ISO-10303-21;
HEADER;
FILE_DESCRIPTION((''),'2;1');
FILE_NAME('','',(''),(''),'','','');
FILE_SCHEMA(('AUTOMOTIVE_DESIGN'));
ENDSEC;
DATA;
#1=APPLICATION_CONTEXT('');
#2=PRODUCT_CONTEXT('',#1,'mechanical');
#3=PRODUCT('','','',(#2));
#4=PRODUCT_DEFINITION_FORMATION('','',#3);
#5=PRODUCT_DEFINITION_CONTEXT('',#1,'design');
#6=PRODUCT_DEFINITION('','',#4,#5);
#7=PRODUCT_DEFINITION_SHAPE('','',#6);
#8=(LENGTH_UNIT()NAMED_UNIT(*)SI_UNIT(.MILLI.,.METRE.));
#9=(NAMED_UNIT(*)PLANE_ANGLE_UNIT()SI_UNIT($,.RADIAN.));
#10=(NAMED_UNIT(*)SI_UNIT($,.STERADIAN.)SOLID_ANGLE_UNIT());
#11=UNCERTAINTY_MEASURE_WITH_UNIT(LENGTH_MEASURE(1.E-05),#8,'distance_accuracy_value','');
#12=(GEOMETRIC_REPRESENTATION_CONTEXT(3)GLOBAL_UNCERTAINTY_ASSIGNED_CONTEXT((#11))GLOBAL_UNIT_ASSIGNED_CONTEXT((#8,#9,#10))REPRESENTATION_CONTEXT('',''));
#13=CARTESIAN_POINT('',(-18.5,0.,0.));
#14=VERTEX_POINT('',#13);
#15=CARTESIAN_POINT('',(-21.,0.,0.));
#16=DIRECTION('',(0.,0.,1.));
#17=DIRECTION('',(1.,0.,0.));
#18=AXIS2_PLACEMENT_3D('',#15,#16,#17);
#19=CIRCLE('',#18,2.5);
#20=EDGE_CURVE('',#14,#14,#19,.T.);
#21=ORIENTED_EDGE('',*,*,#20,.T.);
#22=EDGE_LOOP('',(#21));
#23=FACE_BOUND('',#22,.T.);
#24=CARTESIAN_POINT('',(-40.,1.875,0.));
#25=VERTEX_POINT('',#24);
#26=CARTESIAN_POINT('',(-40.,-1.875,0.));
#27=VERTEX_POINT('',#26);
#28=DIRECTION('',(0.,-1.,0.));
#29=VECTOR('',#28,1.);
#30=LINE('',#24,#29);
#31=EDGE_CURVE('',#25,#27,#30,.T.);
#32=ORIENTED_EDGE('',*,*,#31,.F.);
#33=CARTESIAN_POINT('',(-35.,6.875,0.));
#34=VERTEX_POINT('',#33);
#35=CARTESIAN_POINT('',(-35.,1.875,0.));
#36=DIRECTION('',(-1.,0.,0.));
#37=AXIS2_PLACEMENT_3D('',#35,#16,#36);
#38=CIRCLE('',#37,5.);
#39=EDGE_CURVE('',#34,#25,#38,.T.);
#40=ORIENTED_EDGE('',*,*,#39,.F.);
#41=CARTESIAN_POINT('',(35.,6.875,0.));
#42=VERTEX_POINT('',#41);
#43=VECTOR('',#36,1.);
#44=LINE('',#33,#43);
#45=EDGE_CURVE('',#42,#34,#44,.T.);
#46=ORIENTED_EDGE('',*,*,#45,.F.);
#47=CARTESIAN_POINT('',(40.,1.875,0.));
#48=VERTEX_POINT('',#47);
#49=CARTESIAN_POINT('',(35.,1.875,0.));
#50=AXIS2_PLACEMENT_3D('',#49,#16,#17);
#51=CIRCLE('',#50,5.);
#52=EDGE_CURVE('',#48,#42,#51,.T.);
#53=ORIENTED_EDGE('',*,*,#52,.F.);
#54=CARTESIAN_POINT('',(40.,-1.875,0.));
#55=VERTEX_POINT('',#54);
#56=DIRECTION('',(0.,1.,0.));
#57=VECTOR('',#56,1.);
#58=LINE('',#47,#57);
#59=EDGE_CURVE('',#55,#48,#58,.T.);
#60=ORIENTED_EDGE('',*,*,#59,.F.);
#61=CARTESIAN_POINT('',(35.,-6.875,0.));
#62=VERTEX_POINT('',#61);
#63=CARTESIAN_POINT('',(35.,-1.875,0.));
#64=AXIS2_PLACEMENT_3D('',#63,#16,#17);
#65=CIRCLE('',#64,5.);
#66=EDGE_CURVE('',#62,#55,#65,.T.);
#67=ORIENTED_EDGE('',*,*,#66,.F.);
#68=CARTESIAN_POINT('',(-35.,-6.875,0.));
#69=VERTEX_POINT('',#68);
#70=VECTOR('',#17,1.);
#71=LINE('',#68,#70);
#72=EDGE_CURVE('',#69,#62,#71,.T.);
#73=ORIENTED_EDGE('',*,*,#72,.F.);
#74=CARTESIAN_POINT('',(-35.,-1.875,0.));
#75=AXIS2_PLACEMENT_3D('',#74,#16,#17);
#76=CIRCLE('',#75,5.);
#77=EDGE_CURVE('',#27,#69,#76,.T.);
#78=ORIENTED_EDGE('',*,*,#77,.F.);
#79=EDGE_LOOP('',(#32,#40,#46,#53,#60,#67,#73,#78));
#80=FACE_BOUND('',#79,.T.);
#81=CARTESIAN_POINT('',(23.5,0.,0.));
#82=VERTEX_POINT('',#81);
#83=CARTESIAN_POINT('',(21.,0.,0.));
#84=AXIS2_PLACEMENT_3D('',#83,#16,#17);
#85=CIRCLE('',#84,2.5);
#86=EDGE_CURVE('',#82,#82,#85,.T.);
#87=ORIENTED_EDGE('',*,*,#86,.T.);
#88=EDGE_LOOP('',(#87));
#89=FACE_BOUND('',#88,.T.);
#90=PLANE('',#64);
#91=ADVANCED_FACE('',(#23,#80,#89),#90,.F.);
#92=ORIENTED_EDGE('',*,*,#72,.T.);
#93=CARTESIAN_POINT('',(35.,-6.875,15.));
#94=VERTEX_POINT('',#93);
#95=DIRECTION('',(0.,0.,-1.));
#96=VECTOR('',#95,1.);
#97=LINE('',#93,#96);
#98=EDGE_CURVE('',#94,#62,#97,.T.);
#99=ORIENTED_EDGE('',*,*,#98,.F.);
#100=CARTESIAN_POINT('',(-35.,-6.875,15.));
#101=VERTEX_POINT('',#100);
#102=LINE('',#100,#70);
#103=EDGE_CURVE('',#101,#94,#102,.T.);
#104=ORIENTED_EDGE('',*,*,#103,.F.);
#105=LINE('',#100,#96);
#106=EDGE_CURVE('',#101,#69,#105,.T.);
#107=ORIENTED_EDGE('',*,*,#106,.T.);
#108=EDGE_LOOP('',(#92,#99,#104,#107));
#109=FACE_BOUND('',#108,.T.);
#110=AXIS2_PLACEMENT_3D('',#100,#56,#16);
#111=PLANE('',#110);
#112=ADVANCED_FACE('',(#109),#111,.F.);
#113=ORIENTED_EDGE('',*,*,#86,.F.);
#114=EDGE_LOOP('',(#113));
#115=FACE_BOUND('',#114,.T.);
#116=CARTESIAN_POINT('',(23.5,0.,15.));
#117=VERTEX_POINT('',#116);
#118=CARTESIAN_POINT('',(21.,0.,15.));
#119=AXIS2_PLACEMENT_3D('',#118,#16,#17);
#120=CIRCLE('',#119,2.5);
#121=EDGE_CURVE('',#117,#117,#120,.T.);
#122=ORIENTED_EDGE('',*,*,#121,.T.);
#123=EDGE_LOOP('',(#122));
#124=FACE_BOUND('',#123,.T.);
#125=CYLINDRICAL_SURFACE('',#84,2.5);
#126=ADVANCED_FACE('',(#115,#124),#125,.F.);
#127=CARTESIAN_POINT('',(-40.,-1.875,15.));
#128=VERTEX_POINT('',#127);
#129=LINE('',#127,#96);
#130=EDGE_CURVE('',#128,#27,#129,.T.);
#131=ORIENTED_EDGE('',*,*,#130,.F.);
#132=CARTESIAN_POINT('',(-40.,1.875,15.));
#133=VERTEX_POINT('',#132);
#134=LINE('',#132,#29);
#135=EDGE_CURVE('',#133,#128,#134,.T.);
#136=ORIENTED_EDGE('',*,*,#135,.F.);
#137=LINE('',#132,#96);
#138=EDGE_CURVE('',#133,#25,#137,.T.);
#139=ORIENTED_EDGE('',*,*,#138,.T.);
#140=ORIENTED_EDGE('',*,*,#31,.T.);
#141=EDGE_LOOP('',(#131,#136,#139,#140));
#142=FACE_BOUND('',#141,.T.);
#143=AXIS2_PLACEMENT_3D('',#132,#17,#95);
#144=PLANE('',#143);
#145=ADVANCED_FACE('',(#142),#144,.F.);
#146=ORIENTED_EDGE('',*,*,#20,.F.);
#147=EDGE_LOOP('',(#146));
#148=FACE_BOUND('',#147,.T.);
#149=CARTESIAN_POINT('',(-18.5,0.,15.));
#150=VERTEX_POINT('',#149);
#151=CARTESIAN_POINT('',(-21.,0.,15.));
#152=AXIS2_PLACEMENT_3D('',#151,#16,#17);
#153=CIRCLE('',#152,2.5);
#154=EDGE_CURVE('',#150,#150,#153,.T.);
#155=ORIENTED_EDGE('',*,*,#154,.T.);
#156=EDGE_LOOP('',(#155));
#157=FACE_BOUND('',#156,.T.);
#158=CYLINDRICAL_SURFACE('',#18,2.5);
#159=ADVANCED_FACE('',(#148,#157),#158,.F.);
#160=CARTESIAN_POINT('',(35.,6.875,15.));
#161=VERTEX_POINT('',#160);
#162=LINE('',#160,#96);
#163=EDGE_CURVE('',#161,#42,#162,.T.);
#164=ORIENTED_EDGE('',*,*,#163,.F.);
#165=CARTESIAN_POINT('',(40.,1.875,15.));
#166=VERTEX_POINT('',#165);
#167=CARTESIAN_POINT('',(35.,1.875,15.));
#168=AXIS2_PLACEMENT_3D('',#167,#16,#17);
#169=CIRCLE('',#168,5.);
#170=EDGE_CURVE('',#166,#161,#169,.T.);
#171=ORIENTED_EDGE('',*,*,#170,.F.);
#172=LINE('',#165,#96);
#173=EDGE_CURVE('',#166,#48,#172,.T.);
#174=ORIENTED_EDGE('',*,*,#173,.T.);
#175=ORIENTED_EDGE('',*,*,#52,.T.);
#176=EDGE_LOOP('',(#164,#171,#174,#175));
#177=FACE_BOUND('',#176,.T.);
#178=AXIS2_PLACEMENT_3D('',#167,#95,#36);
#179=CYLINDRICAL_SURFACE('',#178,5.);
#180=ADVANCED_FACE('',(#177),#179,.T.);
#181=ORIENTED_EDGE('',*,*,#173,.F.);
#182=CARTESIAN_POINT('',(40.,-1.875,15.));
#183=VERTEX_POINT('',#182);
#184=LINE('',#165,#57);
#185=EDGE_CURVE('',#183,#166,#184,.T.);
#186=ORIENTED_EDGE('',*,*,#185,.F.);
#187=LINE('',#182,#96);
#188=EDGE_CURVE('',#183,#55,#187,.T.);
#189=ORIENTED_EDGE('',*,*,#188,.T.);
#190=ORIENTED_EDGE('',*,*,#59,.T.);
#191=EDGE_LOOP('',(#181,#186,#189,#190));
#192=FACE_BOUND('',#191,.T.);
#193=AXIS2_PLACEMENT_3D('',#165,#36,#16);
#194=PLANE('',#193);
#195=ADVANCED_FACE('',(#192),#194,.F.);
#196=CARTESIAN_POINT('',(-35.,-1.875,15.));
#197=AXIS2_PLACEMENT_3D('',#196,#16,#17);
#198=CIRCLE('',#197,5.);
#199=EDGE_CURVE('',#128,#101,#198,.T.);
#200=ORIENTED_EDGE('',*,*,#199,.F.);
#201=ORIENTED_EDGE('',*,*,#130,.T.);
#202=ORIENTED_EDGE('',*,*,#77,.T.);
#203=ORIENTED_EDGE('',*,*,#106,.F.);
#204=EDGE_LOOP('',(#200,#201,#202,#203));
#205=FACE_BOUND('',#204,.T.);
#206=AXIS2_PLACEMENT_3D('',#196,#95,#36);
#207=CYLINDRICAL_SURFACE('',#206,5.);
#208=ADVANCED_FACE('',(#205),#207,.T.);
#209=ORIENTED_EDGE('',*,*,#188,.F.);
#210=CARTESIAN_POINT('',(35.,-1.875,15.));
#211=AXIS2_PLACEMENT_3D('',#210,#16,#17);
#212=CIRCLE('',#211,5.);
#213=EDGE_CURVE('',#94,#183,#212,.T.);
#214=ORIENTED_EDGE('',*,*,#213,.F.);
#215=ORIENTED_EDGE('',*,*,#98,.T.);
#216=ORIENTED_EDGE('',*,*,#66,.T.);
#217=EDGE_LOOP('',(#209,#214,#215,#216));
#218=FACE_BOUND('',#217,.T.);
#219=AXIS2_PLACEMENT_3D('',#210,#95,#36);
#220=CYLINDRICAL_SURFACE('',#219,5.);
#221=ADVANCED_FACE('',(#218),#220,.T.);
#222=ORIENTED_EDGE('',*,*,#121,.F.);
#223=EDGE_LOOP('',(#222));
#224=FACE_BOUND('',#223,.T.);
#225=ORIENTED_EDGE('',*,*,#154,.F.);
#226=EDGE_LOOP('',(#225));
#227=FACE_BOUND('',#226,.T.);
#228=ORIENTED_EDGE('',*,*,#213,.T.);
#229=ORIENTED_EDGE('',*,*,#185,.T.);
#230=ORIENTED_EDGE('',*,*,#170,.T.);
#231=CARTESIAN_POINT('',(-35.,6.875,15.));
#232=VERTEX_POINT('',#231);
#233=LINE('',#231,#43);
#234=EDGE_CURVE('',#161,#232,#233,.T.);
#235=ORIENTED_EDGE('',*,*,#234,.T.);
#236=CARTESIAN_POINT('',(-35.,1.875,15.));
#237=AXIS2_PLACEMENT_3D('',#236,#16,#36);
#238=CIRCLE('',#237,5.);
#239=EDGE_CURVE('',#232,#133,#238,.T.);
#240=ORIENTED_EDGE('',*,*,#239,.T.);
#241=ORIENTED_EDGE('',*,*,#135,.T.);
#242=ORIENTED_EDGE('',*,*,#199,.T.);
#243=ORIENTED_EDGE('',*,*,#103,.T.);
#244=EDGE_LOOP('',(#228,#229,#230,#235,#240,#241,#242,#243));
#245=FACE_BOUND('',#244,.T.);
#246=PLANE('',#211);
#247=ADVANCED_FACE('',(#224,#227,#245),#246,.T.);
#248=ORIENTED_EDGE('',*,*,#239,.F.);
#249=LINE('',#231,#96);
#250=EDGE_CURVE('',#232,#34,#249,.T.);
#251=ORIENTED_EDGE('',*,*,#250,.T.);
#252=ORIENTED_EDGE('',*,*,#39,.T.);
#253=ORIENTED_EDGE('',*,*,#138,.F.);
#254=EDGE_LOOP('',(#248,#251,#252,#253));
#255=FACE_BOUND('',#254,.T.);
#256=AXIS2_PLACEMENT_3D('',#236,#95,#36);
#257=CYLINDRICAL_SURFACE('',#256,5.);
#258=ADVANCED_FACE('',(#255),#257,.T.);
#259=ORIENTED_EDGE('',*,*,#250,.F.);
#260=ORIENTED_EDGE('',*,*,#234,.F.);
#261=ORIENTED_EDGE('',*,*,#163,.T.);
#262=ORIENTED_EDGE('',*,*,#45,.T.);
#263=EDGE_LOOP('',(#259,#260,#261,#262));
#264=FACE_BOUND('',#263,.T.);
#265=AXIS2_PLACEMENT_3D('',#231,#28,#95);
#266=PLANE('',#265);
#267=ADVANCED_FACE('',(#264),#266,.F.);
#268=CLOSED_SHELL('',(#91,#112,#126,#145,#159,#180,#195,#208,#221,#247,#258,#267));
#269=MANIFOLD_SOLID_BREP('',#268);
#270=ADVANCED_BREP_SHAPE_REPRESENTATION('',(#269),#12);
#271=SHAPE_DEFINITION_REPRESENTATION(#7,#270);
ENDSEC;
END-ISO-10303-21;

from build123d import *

# Parameters (mm, degrees)
BOSS_EXTRUDE1_DEPTH = 15
SKETCH2_R           = 2.5
CUT_EXTRUDE1_DEPTH  = 16


with BuildPart() as part:
    # Sketch1 → Boss-Extrude1 (new body)
    with BuildSketch(Plane.XY):
        with BuildLine():
            Line((-35, 6.875), (35, 6.875))
            ThreePointArc((35, 6.875), (38.535533906, 5.410533906), (40, 1.875))
            Line((40, 1.875), (40, -1.875))
            ThreePointArc((40, -1.875), (38.535533906, -5.410533906), (35, -6.875))
            Line((35, -6.875), (-35, -6.875))
            ThreePointArc((-35, -6.875), (-38.535533906, -5.410533906), (-40, -1.875))
            Line((-40, -1.875), (-40, 1.875))
            ThreePointArc((-40, 1.875), (-38.535533906, 5.410533906), (-35, 6.875))
        make_face()
    extrude(amount=BOSS_EXTRUDE1_DEPTH)

    # Sketch2 → Cut-Extrude1 (cut, through all)
    with BuildSketch(Plane.XY.offset(15)):
        with Locations((-21, 0)):
            Circle(SKETCH2_R)
        with Locations((21, 0)):
            Circle(SKETCH2_R)
    extrude(amount=-CUT_EXTRUDE1_DEPTH, mode=Mode.SUBTRACT)


solid = part.part
